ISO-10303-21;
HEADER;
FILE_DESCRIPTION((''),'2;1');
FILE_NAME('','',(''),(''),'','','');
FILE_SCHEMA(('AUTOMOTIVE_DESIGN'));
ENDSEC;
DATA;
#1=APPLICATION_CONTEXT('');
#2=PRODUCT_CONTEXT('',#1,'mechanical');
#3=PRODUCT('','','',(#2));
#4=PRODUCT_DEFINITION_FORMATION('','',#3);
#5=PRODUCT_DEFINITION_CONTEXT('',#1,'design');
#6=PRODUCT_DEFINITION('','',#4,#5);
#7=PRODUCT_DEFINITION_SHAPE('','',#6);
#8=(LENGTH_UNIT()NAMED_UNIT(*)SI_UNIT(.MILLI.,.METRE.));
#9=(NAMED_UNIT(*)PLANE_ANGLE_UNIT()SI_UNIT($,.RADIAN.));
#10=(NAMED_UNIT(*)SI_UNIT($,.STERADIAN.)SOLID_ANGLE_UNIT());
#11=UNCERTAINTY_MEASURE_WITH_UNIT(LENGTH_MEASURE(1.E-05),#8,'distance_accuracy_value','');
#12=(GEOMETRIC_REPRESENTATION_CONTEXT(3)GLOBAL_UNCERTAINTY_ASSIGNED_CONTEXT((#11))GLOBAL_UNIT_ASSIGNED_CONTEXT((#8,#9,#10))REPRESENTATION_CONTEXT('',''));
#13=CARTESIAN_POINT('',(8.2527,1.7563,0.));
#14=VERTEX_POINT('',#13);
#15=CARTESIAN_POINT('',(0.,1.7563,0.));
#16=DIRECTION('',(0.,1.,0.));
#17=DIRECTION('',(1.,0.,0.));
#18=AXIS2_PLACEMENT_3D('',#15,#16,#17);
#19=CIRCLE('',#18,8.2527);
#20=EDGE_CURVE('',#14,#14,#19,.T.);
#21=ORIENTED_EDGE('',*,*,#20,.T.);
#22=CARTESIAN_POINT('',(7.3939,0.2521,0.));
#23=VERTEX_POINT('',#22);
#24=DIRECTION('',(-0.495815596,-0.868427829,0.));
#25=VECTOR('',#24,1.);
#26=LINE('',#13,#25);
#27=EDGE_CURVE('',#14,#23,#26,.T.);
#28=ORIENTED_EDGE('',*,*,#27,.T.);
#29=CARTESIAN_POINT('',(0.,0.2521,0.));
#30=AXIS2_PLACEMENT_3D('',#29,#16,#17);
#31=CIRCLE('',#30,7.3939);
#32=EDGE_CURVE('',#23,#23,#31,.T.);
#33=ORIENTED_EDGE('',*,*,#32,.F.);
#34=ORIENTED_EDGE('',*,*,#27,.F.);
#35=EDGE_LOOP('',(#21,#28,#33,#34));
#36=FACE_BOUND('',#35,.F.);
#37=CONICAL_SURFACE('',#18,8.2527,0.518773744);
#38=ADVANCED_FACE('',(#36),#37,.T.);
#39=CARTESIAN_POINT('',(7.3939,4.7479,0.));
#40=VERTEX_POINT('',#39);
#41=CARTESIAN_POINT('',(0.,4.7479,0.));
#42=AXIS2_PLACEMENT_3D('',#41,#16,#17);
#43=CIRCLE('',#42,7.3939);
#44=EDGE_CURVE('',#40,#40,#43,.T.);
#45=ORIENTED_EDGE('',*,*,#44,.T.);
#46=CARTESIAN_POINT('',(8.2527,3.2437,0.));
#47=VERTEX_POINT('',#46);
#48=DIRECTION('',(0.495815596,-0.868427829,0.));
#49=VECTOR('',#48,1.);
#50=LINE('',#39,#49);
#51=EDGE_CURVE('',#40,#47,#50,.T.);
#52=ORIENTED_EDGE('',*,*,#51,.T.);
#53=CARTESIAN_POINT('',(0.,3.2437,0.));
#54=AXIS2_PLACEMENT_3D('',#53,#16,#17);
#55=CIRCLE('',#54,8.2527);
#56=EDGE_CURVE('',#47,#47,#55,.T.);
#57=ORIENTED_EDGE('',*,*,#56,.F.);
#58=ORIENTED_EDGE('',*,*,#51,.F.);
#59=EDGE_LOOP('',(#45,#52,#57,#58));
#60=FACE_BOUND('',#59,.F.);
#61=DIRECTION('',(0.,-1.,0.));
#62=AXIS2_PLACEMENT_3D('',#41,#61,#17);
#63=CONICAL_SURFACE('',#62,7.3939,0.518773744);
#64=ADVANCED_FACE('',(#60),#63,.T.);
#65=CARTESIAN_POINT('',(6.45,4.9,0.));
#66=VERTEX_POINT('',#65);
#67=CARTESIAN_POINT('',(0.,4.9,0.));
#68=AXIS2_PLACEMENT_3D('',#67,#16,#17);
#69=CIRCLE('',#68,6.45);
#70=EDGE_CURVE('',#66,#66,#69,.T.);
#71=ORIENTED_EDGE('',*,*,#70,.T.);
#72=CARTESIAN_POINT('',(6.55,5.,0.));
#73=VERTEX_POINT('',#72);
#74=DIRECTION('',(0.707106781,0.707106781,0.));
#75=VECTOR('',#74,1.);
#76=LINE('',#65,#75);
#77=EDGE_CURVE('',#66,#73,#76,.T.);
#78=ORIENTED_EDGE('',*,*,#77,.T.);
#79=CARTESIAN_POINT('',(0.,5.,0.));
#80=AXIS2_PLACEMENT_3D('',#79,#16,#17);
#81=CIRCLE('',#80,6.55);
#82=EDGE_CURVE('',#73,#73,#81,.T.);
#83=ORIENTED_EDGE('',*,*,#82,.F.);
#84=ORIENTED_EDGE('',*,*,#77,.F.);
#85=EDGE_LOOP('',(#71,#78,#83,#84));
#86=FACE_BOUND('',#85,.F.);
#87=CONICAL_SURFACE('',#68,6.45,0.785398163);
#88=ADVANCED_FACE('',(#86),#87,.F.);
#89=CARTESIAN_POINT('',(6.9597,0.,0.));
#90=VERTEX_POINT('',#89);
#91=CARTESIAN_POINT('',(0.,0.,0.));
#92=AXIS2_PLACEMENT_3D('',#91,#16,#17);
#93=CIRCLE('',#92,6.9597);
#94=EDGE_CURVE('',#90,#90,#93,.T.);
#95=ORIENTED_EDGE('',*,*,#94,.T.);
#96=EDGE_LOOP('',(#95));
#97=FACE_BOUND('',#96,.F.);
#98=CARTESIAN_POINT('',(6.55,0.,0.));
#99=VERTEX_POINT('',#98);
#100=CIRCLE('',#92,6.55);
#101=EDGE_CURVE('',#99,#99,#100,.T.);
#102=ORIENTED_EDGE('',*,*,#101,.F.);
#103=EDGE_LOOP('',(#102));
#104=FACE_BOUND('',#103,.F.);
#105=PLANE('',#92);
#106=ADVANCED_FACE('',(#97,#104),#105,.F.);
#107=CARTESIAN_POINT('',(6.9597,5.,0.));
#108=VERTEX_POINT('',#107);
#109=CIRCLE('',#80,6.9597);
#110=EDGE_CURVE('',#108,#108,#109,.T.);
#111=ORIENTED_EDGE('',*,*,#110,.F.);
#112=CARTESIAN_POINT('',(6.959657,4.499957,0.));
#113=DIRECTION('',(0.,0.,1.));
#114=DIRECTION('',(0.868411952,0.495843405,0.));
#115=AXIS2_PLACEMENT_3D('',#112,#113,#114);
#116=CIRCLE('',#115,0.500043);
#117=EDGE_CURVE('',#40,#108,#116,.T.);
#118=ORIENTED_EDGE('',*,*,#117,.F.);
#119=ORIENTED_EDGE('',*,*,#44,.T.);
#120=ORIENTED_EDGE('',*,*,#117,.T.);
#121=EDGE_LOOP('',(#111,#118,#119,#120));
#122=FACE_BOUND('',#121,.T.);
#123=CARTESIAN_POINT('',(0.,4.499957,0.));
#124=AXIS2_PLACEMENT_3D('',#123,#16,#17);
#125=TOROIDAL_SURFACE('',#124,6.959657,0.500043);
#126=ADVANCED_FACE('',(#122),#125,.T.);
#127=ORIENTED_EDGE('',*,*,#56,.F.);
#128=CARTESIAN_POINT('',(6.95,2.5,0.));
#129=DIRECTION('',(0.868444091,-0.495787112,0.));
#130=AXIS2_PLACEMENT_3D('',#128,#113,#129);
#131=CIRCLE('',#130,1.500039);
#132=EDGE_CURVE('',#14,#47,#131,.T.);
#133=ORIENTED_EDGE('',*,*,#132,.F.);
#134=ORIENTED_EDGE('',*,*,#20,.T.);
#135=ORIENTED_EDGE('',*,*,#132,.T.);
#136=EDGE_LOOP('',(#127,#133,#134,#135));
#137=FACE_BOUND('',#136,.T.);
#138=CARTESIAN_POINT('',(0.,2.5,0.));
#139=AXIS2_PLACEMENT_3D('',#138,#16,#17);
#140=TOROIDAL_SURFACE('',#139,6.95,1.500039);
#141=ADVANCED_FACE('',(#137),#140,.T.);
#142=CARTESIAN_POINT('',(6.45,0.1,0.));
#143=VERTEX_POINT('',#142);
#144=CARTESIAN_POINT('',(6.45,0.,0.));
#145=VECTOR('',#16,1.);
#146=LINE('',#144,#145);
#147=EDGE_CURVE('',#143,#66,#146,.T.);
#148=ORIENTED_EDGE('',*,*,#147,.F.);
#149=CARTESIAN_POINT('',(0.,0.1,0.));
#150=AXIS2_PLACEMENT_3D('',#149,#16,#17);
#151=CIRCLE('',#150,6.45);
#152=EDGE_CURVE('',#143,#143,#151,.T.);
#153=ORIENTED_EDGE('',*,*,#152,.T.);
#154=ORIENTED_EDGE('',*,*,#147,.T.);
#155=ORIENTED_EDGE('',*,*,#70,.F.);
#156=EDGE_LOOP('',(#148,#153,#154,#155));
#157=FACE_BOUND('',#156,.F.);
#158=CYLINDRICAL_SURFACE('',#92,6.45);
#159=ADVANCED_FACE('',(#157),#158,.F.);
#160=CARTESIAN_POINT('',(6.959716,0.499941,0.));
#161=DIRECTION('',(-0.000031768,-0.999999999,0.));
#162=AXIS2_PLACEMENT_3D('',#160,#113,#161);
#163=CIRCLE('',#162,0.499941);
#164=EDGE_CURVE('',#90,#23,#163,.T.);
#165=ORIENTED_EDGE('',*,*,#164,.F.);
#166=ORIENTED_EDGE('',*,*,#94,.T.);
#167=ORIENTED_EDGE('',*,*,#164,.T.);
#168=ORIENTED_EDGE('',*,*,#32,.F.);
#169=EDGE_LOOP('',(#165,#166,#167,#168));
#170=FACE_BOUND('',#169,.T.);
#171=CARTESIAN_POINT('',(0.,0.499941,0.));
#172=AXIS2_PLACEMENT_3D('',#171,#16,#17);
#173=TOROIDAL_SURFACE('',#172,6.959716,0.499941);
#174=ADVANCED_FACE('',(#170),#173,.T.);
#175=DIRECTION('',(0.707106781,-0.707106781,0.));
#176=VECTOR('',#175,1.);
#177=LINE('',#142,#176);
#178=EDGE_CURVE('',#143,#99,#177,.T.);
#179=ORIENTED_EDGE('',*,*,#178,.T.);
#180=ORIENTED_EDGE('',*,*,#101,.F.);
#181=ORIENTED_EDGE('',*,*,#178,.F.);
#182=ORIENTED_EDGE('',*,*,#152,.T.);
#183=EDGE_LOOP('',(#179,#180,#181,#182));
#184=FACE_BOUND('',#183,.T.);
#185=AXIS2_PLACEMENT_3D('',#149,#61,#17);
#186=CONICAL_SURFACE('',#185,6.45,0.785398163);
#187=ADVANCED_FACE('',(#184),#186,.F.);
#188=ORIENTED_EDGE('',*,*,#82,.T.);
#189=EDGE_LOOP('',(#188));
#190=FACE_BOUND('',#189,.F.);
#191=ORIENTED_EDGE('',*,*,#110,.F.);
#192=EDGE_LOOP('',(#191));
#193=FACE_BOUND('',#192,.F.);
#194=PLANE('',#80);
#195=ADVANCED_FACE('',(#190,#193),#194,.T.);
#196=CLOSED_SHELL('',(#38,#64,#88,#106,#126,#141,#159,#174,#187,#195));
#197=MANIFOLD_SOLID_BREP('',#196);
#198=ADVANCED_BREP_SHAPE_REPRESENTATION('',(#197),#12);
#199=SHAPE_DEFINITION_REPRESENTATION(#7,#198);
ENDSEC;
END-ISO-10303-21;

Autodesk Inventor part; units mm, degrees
ref_plane "YZ Plane" through (0, 0, 0) normal (1, 0, 0) x (0, 1, 0)
ref_plane "XZ Plane" through (0, 0, 0) normal (0, 1, 0) x (-1, 0, 0)
ref_plane "XY Plane" through (0, 0, 0) normal (0, 0, 1) x (1, 0, 0)
sketch "Sketch1" plane through (0, 0, 0) normal (0, 0, 1) x (1, 0, 0)
  line L0 (0, 0) -> (6.45, 0)
  line L1 (6.45, 0) -> (6.45, 5)
  line L2 (6.45, 5) -> (6.9597, 5)
  line L3 (7.3939, 4.7479) -> (8.2527, 3.2437)
  line L4 (8.2527, 1.7563) -> (7.3939, 0.2521)
  line L5 (6.9597, 0) -> (6.45, 0)
  arc A0 (8.2527, 1.7563) -> (8.2527, 3.2437) centre (6.95, 2.5) ccw
  arc A1 (7.3939, 4.7479) -> (6.9597, 5) centre (6.9597, 4.5) ccw
  arc A2 (6.9597, 0) -> (7.3939, 0.2521) centre (6.9597, 0.5) ccw
  line L6 (0, 0) -> (0, 12.2617)
  point P0 (7.25, 5)
  point P1 (7.25, 0)
  dimension "d0" = 5
  dimension "d1" = 6.45
  dimension "d2" = 0.8
  dimension "d3" = 1.5
  dimension "d4" = 0.5
  dimension "d5" = 2
revolve "Revolution1" add sketch "Sketch1" angle 360 about axis through (0, 0, 0) along (0, 1, 0)
chamfer "Chamfer1" distance 0.1 angle 45 2 edges at (-6.45, 0, 0) (-6.45, 5, 0)
properties part number "idl-tire"
